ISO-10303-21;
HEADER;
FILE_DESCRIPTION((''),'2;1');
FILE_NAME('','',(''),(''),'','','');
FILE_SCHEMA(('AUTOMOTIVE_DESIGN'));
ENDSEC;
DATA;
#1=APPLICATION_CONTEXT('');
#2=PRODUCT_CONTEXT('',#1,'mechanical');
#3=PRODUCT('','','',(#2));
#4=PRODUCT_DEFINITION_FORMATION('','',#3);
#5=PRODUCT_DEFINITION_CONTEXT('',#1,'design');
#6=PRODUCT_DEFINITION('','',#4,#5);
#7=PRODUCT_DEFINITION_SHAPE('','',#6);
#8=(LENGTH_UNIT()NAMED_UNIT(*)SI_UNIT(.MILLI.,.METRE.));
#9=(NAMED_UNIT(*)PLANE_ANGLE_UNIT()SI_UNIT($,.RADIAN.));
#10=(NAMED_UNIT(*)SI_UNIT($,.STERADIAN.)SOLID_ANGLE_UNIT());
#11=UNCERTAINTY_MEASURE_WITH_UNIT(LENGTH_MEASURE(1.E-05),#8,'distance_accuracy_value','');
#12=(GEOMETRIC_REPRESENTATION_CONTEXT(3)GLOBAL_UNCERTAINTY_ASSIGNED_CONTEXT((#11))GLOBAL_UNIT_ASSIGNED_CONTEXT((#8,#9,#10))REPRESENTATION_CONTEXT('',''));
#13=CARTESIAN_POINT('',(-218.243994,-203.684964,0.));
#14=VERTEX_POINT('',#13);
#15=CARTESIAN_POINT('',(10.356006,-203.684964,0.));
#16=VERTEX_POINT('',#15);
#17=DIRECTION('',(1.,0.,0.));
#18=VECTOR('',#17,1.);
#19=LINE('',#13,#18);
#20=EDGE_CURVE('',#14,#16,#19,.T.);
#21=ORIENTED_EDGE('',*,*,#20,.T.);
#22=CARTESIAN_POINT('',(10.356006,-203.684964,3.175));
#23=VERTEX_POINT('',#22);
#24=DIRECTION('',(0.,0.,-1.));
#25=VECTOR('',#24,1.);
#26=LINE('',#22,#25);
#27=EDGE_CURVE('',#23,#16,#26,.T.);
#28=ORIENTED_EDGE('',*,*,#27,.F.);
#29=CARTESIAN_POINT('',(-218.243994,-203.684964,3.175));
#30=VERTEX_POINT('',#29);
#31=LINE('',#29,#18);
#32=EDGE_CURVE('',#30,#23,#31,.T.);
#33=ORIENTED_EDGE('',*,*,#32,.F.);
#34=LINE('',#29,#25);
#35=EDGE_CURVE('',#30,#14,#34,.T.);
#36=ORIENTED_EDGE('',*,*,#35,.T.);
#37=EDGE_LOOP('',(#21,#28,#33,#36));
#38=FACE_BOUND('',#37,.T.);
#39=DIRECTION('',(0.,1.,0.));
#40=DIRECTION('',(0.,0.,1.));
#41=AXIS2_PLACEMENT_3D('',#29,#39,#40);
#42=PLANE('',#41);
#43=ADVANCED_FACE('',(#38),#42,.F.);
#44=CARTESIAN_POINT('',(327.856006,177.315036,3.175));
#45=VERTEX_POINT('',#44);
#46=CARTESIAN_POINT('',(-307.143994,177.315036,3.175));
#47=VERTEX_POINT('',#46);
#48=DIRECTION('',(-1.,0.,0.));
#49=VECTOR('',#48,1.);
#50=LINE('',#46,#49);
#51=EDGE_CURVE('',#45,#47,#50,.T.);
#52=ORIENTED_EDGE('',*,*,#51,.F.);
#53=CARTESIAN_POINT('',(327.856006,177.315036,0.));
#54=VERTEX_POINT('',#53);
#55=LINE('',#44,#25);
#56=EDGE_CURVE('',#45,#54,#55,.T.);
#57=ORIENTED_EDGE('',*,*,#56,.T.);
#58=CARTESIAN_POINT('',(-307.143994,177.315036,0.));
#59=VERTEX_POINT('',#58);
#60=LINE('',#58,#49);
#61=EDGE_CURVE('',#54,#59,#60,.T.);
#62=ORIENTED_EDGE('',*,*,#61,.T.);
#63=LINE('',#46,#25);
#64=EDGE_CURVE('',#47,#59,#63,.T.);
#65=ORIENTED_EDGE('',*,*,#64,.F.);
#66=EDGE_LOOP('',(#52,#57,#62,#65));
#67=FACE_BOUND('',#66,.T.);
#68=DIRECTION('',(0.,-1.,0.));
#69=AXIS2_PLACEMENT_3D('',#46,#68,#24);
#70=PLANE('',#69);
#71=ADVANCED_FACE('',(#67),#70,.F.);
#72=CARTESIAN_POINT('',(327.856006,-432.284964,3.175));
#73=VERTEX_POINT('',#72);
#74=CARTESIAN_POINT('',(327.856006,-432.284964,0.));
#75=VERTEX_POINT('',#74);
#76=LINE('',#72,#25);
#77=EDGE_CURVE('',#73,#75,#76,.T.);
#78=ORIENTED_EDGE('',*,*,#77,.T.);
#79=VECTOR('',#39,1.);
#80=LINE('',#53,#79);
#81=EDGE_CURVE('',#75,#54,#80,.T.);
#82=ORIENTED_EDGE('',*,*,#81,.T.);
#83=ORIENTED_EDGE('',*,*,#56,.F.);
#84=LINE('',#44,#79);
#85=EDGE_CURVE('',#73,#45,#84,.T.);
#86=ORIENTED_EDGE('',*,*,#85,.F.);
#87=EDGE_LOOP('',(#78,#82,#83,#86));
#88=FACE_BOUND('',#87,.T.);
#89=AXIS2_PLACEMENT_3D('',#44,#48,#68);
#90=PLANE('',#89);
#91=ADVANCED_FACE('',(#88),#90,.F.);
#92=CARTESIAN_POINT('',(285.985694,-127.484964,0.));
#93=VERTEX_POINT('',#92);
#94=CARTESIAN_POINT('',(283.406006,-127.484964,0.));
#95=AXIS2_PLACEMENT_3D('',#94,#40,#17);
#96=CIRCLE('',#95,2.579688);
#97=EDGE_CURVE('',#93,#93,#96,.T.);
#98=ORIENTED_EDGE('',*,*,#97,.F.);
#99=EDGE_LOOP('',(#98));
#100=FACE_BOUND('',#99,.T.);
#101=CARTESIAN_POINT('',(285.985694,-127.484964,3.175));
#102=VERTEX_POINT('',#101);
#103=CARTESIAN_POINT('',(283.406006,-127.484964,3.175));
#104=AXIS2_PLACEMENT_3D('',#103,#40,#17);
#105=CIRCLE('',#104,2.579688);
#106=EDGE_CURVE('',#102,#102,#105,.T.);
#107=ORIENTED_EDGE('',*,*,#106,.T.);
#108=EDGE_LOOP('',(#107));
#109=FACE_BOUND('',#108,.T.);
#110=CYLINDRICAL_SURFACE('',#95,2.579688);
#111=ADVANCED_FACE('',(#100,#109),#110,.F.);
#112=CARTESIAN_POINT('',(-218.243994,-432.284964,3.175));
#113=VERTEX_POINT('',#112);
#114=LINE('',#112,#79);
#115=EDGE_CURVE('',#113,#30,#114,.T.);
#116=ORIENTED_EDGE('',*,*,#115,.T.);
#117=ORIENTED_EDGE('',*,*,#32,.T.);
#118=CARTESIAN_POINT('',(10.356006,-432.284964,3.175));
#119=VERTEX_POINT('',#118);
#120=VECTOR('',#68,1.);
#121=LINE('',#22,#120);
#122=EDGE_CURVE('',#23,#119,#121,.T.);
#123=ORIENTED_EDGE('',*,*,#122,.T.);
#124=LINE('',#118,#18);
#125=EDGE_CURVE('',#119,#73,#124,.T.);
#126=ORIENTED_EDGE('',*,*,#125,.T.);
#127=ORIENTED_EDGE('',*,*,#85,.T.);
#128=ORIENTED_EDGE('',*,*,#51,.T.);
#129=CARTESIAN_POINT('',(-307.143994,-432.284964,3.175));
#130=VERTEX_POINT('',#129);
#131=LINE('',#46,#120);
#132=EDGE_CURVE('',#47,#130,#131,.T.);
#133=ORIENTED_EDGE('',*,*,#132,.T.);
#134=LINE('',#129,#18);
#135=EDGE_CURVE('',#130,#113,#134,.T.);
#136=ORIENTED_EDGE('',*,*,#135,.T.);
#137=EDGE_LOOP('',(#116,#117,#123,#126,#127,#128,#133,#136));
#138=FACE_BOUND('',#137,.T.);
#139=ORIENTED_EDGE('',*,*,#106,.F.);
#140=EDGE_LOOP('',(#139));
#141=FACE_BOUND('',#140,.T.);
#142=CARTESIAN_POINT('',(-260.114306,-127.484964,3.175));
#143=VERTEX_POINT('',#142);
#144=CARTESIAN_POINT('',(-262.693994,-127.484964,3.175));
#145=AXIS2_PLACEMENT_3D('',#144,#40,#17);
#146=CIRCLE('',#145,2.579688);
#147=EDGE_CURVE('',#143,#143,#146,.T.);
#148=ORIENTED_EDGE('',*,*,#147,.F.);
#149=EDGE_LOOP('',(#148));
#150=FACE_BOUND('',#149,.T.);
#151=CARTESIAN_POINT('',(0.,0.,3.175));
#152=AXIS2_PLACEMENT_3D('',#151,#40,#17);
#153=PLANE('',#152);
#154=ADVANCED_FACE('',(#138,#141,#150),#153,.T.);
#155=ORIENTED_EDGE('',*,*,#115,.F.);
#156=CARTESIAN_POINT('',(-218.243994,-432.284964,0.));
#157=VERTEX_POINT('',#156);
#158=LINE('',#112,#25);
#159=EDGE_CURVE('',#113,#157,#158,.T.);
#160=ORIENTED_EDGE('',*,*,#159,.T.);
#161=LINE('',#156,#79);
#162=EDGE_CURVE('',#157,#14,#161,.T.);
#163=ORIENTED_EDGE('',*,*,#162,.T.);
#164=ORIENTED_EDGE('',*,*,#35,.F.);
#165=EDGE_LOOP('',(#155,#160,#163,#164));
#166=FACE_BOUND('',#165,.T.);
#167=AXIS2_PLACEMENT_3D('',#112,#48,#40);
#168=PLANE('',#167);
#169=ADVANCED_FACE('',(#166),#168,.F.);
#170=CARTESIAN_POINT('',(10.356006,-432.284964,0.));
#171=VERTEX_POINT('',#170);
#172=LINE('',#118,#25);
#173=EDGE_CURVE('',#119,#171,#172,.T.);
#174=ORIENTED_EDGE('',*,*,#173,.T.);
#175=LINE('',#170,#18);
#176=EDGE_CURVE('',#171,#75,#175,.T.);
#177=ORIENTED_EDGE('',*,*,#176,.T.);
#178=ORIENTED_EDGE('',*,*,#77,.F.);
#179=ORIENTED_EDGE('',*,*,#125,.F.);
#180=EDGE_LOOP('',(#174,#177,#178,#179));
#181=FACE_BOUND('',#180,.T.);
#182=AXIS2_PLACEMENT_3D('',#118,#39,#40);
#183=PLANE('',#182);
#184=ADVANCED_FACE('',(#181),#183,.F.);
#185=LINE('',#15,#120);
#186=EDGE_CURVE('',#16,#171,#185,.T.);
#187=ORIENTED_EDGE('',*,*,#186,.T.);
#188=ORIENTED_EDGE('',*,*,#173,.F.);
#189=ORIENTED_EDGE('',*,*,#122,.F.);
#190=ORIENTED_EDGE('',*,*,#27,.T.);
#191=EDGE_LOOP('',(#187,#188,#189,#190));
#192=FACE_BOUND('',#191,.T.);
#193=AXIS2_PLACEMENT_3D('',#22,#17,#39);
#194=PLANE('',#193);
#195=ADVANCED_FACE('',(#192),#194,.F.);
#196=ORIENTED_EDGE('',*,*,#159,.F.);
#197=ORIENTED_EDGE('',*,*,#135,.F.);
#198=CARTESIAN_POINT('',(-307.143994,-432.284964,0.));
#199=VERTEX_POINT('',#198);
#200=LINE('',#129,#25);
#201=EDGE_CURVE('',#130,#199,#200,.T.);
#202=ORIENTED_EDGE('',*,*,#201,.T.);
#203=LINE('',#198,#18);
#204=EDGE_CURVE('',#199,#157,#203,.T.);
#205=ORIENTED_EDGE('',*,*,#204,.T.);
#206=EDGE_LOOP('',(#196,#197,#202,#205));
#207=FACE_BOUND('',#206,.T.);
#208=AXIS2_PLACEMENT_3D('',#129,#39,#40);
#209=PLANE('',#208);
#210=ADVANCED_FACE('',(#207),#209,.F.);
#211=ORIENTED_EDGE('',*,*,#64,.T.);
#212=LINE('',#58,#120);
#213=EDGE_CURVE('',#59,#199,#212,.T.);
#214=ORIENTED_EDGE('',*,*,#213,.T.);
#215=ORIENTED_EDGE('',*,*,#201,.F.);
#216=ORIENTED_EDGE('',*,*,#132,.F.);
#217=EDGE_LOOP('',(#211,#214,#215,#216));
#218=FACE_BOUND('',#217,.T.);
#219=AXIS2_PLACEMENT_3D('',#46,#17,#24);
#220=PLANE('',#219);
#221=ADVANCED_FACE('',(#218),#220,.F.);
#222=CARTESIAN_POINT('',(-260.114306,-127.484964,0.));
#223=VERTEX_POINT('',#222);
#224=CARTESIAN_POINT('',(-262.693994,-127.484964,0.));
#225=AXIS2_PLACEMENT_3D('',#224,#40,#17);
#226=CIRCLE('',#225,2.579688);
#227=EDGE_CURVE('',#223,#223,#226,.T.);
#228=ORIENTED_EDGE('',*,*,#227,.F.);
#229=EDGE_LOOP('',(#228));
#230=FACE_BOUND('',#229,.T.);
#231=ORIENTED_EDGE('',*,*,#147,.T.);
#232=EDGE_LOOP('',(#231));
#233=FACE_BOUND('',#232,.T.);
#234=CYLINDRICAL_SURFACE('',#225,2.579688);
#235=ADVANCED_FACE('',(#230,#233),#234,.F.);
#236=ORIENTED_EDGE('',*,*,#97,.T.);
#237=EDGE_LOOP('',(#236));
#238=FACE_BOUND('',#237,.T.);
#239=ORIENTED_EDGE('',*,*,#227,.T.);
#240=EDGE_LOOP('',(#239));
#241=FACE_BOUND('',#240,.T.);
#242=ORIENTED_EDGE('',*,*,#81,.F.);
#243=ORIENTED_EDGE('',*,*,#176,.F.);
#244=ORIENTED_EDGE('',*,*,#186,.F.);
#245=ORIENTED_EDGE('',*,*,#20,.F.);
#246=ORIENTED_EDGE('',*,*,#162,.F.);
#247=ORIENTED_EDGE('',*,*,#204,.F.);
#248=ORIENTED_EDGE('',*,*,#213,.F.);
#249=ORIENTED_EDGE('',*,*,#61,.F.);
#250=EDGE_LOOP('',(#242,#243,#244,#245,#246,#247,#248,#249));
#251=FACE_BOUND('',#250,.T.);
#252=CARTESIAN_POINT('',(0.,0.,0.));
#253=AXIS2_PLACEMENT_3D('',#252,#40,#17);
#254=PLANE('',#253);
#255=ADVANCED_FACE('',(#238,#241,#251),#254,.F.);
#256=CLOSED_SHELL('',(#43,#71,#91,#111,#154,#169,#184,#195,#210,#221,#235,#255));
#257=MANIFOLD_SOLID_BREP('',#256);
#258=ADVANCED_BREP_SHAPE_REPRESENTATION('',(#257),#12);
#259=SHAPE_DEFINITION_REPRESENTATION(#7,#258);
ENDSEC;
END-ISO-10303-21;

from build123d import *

# Parameters (mm, degrees)
BOSS_EXTRUDE1_DEPTH = 3.175
SKETCH2_R           = 2.5796875
CUT_EXTRUDE1_DEPTH  = 3.175


with BuildPart() as part:
    # Sketch1 → Boss-Extrude1 (new body)
    with BuildSketch(Plane.XY):
        Polygon((-218.243993636, -432.2849642), (-218.243993636, -203.6849642), (10.356006364, -203.6849642), (10.356006364, -432.2849642), (327.856006364, -432.2849642), (327.856006364, 177.3150358), (-307.143993636, 177.3150358), (-307.143993636, -432.2849642), align=None)
    extrude(amount=BOSS_EXTRUDE1_DEPTH)

    # Sketch2 → Cut-Extrude1 (cut)
    with BuildSketch(Plane.XY.offset(3.175)):
        with Locations((-262.693993636, -127.4849642)):
            Circle(SKETCH2_R)
        with Locations((283.406006364, -127.4849642)):
            Circle(SKETCH2_R)
    extrude(amount=-CUT_EXTRUDE1_DEPTH, mode=Mode.SUBTRACT)


solid = part.part
